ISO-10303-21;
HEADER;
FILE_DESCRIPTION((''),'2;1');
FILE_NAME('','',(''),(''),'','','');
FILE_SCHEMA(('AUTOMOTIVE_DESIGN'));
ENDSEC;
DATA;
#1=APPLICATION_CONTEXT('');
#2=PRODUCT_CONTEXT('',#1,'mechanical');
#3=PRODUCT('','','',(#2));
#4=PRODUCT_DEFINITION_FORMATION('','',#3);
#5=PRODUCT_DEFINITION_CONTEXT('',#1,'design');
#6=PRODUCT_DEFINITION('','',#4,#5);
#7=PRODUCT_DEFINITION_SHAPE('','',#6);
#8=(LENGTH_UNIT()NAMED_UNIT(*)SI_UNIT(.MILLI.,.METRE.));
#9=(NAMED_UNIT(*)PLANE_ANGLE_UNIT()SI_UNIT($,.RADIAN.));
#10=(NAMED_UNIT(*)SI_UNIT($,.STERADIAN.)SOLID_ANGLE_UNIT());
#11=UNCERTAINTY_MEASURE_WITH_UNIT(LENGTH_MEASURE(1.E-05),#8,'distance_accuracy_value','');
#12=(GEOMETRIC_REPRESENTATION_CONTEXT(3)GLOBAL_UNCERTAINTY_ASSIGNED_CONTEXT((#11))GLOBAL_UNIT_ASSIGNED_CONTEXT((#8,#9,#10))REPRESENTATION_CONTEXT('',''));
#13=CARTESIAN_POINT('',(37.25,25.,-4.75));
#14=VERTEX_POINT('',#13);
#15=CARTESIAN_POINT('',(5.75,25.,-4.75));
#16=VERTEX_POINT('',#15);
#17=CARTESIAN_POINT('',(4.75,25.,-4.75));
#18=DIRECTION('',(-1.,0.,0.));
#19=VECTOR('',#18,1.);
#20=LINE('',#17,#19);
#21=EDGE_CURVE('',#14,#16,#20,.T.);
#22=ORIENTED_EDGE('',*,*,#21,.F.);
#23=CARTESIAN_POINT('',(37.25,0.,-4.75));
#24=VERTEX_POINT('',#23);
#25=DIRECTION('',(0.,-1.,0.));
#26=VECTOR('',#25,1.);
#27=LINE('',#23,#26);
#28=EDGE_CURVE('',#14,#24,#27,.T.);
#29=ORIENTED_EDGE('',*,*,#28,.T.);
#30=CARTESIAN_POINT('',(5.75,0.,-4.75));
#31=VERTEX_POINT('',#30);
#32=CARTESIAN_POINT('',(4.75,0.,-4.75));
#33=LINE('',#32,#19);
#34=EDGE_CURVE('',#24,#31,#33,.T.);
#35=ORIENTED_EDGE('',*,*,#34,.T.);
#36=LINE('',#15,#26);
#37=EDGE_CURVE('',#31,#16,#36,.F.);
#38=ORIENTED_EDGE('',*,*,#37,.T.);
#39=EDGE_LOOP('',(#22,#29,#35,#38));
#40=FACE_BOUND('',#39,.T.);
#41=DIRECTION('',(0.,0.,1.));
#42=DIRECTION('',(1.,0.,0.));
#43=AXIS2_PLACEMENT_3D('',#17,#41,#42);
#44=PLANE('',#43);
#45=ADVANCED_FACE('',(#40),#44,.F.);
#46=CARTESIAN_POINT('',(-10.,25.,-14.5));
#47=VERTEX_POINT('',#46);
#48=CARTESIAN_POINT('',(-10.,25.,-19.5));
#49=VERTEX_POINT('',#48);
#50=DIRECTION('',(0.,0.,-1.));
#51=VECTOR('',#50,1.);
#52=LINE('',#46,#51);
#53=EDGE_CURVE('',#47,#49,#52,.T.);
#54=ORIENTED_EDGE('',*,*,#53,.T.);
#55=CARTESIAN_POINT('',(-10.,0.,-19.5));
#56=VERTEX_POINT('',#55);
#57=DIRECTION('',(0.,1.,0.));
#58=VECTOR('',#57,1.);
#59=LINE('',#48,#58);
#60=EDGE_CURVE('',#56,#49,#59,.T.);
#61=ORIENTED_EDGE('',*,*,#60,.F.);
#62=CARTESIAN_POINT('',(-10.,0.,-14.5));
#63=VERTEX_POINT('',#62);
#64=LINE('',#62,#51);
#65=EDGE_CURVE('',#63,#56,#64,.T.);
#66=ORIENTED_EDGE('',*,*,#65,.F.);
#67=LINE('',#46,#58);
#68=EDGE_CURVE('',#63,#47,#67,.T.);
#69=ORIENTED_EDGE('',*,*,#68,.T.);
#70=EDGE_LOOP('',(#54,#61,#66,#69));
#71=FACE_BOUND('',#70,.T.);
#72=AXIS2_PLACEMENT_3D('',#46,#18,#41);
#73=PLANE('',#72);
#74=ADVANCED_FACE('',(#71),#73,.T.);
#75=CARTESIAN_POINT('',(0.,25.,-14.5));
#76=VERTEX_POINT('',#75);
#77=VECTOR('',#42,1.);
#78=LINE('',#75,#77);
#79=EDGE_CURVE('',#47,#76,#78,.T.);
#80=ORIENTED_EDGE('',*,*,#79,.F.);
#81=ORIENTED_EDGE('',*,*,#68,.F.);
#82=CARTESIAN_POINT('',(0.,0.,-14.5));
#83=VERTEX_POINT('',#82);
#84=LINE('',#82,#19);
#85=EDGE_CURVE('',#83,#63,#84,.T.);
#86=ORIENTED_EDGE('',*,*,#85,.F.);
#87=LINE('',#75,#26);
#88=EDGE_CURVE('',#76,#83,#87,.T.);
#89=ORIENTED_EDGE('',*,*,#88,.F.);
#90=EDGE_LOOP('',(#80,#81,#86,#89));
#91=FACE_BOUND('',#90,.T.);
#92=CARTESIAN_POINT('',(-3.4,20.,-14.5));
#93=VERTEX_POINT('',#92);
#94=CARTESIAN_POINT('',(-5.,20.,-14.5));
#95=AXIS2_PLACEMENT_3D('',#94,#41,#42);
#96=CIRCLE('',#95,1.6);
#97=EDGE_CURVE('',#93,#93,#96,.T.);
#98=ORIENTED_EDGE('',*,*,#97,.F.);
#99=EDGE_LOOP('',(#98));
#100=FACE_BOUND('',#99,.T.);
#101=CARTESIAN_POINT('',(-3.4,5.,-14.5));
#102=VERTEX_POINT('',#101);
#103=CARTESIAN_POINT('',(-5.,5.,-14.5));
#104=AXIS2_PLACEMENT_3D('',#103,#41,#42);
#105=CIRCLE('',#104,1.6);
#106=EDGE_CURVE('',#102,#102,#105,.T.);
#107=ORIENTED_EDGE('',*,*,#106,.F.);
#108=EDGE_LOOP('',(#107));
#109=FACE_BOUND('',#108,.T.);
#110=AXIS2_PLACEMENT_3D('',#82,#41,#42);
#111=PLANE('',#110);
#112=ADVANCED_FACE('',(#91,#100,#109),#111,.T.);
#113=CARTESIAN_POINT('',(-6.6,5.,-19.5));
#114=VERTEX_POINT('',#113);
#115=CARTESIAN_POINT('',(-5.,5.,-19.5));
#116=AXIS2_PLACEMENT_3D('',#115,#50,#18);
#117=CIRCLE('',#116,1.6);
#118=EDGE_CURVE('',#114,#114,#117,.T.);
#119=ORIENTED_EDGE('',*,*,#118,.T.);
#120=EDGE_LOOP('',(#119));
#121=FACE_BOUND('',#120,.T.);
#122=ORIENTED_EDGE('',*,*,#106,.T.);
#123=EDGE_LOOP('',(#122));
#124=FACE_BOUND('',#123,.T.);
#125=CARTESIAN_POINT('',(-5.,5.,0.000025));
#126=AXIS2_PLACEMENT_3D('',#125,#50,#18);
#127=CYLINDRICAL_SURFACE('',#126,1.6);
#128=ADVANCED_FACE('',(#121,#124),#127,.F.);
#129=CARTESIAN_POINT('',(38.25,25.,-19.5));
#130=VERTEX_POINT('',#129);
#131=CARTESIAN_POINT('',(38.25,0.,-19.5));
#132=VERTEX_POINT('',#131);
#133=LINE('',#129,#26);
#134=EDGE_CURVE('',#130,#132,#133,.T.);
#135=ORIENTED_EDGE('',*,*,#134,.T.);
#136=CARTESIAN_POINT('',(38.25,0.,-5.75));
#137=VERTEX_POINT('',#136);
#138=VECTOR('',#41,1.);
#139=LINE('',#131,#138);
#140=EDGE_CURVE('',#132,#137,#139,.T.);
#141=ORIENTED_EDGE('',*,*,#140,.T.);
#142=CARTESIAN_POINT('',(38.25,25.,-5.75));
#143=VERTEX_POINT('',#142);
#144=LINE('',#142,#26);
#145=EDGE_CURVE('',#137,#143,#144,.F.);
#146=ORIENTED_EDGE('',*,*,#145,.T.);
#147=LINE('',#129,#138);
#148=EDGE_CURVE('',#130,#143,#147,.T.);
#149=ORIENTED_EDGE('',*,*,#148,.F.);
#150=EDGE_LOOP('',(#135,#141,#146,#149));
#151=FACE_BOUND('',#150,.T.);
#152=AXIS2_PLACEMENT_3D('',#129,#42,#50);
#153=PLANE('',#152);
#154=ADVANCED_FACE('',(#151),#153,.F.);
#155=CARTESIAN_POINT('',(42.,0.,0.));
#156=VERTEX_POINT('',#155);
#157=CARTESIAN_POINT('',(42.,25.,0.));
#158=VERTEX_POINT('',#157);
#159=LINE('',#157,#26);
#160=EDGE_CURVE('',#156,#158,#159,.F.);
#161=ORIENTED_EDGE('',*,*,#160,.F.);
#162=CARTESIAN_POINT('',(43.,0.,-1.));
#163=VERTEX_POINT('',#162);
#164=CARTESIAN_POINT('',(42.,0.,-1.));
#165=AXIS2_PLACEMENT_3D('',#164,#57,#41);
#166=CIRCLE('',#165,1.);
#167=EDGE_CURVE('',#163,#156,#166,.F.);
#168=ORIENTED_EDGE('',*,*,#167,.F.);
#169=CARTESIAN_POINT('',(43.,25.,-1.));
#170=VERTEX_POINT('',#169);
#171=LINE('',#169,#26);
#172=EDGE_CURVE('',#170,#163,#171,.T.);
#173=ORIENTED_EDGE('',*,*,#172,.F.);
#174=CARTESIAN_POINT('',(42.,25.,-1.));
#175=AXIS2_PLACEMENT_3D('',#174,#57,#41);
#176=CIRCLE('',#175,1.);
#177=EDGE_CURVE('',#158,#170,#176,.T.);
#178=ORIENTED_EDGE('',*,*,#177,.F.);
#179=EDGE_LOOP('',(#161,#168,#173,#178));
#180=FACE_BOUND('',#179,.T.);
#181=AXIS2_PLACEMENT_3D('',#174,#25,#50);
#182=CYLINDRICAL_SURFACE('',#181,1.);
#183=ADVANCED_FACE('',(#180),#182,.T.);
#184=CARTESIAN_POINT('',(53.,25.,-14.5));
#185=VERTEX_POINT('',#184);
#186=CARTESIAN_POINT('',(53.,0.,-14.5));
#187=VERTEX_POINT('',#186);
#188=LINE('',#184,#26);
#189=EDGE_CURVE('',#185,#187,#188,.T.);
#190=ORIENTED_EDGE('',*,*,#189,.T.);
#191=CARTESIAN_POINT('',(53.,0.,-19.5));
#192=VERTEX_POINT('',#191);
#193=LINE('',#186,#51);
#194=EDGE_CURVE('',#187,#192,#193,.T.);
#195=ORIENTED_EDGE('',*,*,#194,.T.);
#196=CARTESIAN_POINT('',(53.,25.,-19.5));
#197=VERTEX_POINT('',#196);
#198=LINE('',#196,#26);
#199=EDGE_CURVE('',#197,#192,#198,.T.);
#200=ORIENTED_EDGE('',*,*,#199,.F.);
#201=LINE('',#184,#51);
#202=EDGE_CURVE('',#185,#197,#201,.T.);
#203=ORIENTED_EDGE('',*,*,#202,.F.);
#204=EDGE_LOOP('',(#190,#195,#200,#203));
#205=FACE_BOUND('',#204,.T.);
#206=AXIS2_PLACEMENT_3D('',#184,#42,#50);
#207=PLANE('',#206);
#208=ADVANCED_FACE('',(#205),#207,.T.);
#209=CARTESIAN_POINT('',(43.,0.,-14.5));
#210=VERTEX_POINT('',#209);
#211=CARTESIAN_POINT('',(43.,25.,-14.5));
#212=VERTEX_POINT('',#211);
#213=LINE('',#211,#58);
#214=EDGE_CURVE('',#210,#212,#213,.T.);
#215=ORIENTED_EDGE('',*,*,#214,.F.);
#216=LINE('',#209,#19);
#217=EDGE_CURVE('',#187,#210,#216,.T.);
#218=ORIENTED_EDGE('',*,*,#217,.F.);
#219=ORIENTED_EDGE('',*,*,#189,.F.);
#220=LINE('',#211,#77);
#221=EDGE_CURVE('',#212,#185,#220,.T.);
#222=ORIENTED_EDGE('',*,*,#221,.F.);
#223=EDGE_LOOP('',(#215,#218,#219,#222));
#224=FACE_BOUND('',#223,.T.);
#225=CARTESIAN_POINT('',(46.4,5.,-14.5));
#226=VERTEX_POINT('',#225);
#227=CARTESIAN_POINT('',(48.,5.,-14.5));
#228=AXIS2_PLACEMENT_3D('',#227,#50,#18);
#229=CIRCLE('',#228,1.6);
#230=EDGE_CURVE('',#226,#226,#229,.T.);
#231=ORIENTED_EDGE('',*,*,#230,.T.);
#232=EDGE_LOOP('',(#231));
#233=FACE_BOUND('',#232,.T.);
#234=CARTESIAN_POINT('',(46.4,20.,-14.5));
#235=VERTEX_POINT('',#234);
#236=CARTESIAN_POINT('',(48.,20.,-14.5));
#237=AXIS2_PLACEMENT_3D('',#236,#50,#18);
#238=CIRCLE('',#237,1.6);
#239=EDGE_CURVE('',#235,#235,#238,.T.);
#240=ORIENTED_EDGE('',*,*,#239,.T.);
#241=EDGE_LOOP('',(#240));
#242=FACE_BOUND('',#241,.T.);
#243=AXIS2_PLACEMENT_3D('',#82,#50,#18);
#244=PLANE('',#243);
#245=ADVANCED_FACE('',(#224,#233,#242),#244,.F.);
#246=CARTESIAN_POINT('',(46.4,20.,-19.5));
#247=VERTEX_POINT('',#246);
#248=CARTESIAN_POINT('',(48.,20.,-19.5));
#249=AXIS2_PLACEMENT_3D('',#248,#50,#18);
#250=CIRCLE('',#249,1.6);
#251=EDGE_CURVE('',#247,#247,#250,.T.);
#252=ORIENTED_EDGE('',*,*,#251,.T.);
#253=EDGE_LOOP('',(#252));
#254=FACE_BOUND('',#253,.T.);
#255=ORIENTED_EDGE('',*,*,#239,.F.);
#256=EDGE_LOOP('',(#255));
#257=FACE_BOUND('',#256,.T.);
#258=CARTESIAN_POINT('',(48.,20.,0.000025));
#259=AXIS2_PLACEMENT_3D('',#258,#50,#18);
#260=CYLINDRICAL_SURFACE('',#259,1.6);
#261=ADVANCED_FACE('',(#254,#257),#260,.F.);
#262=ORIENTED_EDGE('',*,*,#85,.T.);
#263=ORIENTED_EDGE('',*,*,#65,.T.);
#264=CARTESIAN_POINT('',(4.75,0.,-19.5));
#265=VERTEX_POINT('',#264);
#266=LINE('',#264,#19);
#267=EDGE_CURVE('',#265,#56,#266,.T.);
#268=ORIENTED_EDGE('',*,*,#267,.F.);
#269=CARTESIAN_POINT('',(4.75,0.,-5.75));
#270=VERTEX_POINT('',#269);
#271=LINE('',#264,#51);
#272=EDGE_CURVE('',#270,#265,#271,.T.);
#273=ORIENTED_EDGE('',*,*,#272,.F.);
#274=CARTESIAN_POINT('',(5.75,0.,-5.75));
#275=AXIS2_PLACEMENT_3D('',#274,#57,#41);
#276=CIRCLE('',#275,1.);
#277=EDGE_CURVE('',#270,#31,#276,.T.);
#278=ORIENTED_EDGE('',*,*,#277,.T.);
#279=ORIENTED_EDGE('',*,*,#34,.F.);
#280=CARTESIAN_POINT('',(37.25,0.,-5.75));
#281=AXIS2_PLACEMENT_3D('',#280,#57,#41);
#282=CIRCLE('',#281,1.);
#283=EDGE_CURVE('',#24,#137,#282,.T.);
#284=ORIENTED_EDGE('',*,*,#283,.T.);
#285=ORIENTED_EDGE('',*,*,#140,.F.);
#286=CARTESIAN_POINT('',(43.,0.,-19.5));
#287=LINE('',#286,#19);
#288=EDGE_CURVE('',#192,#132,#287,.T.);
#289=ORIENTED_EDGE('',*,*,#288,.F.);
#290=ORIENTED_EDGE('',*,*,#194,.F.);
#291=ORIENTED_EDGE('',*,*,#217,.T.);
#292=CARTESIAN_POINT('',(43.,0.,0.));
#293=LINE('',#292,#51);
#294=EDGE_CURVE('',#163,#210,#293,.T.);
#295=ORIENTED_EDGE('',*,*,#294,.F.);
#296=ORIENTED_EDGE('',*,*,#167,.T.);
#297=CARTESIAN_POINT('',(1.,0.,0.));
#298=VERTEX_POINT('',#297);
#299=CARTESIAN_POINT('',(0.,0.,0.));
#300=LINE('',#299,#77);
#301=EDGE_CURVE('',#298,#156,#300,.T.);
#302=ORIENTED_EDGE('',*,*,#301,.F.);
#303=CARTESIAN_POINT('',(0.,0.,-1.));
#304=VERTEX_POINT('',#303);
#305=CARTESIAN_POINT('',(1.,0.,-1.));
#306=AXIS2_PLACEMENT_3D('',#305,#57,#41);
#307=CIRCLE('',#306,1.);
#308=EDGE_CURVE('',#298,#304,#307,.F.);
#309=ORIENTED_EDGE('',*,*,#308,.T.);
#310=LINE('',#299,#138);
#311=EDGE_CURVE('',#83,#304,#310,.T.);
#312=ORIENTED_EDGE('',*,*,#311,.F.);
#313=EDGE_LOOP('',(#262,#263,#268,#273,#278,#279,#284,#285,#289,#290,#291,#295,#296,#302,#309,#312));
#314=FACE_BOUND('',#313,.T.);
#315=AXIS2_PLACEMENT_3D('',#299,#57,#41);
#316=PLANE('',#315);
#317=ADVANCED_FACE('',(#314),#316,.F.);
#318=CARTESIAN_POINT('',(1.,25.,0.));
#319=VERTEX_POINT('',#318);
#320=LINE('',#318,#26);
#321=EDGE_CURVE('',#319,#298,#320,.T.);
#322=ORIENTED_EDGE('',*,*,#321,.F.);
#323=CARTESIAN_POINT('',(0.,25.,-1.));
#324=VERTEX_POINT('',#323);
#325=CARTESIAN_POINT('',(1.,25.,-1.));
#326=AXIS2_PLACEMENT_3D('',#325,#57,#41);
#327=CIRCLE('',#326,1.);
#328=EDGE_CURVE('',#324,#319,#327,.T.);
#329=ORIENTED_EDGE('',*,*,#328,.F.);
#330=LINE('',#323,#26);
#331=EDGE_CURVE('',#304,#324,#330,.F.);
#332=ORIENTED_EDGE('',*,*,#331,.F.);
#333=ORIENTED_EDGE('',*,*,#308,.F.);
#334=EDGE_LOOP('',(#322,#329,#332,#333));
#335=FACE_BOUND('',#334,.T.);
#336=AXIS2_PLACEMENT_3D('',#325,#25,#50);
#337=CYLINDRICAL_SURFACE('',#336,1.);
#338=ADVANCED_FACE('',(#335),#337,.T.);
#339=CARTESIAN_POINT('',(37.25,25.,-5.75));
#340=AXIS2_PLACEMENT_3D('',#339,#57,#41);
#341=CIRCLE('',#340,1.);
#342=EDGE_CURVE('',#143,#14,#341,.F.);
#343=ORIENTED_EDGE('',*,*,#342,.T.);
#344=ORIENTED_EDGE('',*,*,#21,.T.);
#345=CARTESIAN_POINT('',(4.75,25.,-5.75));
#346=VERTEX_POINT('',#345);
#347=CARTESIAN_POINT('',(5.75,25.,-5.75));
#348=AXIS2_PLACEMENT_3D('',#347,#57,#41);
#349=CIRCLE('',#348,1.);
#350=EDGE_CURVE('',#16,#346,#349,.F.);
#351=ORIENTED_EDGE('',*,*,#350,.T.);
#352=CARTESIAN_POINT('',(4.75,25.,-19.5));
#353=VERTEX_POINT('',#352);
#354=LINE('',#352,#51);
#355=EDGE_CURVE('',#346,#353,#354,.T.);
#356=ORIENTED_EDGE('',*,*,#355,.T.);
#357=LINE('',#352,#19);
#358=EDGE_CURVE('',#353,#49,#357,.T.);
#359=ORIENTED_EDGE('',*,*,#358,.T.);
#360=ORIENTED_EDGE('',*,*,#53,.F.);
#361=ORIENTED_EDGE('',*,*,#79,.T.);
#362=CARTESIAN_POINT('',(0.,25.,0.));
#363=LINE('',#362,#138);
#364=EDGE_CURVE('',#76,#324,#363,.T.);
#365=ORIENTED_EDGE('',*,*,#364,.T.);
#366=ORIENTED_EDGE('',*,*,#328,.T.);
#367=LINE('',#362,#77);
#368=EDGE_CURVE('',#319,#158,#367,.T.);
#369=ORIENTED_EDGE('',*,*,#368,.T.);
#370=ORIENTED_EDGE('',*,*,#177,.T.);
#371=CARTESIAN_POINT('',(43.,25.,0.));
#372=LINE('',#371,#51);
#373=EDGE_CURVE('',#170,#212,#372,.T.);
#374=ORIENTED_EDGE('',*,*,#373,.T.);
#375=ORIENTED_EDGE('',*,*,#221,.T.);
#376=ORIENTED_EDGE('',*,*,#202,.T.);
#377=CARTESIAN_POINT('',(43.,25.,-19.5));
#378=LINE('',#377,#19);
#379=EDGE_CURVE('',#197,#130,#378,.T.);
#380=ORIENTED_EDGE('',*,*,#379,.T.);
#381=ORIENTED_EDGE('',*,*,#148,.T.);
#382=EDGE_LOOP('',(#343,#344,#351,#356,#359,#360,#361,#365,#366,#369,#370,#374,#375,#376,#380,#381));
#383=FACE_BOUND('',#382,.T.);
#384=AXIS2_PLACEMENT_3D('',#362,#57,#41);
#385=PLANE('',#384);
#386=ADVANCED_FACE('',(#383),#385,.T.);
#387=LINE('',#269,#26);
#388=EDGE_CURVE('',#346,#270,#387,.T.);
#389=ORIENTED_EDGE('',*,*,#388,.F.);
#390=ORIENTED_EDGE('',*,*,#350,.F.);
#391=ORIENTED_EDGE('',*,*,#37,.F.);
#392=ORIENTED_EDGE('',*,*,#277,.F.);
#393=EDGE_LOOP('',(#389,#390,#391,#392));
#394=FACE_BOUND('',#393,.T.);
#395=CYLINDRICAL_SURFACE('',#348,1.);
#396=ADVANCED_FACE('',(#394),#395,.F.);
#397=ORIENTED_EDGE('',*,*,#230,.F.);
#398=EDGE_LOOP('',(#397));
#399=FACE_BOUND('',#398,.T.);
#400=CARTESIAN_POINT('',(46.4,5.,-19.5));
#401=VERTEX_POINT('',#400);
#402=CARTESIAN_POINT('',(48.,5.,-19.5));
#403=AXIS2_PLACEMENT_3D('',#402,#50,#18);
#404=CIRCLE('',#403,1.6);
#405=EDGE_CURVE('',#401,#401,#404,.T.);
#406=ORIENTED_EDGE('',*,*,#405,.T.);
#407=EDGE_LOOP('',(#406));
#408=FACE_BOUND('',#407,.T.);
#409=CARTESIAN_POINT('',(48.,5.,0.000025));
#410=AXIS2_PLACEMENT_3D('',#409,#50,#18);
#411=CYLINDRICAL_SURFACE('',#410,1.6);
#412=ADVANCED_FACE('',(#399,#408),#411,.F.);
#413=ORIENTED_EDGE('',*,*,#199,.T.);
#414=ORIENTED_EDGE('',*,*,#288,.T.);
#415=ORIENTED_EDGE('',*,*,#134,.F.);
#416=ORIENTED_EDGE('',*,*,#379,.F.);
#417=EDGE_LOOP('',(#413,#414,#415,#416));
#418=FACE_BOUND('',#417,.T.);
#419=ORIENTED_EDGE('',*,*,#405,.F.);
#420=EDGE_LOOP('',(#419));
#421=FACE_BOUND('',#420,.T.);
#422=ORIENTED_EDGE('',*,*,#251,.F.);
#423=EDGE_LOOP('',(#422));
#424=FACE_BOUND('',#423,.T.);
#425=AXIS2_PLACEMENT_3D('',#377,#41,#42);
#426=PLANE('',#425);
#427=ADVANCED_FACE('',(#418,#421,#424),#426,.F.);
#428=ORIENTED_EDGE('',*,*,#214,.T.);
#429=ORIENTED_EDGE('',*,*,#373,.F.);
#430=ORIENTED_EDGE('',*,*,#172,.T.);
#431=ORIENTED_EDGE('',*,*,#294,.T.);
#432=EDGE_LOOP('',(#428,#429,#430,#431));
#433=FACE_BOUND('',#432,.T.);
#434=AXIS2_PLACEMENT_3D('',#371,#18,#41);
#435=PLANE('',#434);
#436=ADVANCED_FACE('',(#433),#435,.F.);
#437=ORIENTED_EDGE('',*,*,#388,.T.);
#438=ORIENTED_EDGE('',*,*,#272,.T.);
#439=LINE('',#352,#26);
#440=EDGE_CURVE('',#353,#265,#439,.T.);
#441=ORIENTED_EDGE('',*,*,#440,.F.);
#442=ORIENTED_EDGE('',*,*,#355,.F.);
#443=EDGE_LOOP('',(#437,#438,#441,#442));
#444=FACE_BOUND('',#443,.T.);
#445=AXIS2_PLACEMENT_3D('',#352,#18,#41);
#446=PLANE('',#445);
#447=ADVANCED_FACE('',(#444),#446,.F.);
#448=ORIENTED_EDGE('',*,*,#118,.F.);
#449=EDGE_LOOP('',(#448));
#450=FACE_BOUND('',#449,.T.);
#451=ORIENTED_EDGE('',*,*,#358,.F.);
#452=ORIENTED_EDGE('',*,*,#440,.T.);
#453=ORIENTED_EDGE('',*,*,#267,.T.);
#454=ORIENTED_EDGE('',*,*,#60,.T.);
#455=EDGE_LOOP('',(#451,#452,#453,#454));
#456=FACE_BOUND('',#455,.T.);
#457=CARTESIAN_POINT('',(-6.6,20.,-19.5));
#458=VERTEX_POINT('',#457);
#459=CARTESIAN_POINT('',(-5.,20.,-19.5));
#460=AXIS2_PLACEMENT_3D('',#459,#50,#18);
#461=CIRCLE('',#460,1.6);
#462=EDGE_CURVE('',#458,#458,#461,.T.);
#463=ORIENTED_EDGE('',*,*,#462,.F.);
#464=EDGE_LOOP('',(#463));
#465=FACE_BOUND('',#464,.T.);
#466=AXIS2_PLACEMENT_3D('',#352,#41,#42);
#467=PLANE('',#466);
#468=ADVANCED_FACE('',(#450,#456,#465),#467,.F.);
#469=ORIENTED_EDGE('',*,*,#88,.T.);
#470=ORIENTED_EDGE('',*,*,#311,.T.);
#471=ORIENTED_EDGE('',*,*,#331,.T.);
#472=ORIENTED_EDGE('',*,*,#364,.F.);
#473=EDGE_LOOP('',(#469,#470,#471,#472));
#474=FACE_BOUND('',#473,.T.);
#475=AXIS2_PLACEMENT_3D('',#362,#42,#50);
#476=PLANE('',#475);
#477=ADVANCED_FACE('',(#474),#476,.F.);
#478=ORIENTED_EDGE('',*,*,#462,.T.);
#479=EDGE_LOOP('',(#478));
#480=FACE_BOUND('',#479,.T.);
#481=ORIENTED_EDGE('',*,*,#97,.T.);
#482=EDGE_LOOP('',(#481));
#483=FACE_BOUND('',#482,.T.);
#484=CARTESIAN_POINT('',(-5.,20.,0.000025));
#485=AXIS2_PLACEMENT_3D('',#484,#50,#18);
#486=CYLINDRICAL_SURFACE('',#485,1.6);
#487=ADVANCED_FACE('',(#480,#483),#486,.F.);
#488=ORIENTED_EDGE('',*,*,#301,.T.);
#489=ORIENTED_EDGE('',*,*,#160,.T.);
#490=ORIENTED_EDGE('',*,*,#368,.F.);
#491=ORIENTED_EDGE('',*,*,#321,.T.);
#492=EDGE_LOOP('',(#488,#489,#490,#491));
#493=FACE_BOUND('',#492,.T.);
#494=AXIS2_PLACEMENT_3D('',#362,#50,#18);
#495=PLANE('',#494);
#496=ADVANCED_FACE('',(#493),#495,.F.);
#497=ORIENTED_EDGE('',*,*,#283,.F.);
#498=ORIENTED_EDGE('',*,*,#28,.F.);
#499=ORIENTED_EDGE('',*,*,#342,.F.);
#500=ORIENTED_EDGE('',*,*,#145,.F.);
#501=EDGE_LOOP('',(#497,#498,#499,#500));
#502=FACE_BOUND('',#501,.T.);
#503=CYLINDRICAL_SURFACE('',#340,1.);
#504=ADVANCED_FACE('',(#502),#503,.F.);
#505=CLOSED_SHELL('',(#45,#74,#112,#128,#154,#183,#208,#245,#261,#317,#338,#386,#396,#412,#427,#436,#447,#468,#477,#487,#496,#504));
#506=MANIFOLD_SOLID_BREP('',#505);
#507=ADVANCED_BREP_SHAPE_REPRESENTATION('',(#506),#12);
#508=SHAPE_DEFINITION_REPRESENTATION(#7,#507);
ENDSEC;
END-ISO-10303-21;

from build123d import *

# Parameters (mm, degrees)
EXTRUDE_1_DEPTH     = 25
SKETCH_2_W          = 10
SKETCH_2_H          = 25
EXTRUDE_2_DEPTH     = 5
FILLET_1_R          = 1
SKETCH_3_R          = 1.6
CUT_EXTRUDE_1_DEPTH = 20.5
FILLET_2_R          = 1


with BuildPart() as part:
    # Эскиз1 → Бобышка-Вытянуть1 (new body)
    with BuildSketch(Plane(origin=(0, 0, 0), x_dir=(1, 0, 0), z_dir=(0, 1, 0))):
        Polygon((0, 0), (43, 0), (43, 19.5), (38.25, 19.5), (38.25, 4.75), (4.75, 4.75), (4.75, 19.5), (0, 19.5), align=None)
    extrude(amount=EXTRUDE_1_DEPTH)

    # Эскиз2 → Бобышка-Вытянуть2 (add)
    with BuildSketch(Plane(origin=(0, 0, -19.5), x_dir=(-1, 0, 0), z_dir=(0, 0, -1))):
        with Locations((-48, 12.5)):
            Rectangle(SKETCH_2_W, SKETCH_2_H)
        with Locations((5, 12.5)):
            Rectangle(SKETCH_2_W, SKETCH_2_H)
    extrude(amount=-EXTRUDE_2_DEPTH)

    # Скругление1
    fillet_1_edges = [part.edges().sort_by_distance(p)[0] for p in [
        (4.75, 12.5, -4.75),
        (38.25, 12.5, -4.75),
    ]]
    fillet(fillet_1_edges, radius=FILLET_1_R)

    # Эскиз3 → Вырез-Вытянуть1 (cut, through all)
    with BuildSketch(Plane(origin=(0, 0, -19.5), x_dir=(-1, 0, 0), z_dir=(0, 0, -1))):
        with Locations((5, 20)):
            Circle(SKETCH_3_R)
        with Locations((5, 5)):
            Circle(SKETCH_3_R)
        with Locations((-48, 20)):
            Circle(SKETCH_3_R)
        with Locations((-48, 5)):
            Circle(SKETCH_3_R)
    extrude(amount=-CUT_EXTRUDE_1_DEPTH, mode=Mode.SUBTRACT)

    # Скругление2
    fillet_2_edges = [part.edges().sort_by_distance(p)[0] for p in [
        (0, 12.5, 0),
        (43, 12.5, 0),
    ]]
    fillet(fillet_2_edges, radius=FILLET_2_R)


solid = part.part
